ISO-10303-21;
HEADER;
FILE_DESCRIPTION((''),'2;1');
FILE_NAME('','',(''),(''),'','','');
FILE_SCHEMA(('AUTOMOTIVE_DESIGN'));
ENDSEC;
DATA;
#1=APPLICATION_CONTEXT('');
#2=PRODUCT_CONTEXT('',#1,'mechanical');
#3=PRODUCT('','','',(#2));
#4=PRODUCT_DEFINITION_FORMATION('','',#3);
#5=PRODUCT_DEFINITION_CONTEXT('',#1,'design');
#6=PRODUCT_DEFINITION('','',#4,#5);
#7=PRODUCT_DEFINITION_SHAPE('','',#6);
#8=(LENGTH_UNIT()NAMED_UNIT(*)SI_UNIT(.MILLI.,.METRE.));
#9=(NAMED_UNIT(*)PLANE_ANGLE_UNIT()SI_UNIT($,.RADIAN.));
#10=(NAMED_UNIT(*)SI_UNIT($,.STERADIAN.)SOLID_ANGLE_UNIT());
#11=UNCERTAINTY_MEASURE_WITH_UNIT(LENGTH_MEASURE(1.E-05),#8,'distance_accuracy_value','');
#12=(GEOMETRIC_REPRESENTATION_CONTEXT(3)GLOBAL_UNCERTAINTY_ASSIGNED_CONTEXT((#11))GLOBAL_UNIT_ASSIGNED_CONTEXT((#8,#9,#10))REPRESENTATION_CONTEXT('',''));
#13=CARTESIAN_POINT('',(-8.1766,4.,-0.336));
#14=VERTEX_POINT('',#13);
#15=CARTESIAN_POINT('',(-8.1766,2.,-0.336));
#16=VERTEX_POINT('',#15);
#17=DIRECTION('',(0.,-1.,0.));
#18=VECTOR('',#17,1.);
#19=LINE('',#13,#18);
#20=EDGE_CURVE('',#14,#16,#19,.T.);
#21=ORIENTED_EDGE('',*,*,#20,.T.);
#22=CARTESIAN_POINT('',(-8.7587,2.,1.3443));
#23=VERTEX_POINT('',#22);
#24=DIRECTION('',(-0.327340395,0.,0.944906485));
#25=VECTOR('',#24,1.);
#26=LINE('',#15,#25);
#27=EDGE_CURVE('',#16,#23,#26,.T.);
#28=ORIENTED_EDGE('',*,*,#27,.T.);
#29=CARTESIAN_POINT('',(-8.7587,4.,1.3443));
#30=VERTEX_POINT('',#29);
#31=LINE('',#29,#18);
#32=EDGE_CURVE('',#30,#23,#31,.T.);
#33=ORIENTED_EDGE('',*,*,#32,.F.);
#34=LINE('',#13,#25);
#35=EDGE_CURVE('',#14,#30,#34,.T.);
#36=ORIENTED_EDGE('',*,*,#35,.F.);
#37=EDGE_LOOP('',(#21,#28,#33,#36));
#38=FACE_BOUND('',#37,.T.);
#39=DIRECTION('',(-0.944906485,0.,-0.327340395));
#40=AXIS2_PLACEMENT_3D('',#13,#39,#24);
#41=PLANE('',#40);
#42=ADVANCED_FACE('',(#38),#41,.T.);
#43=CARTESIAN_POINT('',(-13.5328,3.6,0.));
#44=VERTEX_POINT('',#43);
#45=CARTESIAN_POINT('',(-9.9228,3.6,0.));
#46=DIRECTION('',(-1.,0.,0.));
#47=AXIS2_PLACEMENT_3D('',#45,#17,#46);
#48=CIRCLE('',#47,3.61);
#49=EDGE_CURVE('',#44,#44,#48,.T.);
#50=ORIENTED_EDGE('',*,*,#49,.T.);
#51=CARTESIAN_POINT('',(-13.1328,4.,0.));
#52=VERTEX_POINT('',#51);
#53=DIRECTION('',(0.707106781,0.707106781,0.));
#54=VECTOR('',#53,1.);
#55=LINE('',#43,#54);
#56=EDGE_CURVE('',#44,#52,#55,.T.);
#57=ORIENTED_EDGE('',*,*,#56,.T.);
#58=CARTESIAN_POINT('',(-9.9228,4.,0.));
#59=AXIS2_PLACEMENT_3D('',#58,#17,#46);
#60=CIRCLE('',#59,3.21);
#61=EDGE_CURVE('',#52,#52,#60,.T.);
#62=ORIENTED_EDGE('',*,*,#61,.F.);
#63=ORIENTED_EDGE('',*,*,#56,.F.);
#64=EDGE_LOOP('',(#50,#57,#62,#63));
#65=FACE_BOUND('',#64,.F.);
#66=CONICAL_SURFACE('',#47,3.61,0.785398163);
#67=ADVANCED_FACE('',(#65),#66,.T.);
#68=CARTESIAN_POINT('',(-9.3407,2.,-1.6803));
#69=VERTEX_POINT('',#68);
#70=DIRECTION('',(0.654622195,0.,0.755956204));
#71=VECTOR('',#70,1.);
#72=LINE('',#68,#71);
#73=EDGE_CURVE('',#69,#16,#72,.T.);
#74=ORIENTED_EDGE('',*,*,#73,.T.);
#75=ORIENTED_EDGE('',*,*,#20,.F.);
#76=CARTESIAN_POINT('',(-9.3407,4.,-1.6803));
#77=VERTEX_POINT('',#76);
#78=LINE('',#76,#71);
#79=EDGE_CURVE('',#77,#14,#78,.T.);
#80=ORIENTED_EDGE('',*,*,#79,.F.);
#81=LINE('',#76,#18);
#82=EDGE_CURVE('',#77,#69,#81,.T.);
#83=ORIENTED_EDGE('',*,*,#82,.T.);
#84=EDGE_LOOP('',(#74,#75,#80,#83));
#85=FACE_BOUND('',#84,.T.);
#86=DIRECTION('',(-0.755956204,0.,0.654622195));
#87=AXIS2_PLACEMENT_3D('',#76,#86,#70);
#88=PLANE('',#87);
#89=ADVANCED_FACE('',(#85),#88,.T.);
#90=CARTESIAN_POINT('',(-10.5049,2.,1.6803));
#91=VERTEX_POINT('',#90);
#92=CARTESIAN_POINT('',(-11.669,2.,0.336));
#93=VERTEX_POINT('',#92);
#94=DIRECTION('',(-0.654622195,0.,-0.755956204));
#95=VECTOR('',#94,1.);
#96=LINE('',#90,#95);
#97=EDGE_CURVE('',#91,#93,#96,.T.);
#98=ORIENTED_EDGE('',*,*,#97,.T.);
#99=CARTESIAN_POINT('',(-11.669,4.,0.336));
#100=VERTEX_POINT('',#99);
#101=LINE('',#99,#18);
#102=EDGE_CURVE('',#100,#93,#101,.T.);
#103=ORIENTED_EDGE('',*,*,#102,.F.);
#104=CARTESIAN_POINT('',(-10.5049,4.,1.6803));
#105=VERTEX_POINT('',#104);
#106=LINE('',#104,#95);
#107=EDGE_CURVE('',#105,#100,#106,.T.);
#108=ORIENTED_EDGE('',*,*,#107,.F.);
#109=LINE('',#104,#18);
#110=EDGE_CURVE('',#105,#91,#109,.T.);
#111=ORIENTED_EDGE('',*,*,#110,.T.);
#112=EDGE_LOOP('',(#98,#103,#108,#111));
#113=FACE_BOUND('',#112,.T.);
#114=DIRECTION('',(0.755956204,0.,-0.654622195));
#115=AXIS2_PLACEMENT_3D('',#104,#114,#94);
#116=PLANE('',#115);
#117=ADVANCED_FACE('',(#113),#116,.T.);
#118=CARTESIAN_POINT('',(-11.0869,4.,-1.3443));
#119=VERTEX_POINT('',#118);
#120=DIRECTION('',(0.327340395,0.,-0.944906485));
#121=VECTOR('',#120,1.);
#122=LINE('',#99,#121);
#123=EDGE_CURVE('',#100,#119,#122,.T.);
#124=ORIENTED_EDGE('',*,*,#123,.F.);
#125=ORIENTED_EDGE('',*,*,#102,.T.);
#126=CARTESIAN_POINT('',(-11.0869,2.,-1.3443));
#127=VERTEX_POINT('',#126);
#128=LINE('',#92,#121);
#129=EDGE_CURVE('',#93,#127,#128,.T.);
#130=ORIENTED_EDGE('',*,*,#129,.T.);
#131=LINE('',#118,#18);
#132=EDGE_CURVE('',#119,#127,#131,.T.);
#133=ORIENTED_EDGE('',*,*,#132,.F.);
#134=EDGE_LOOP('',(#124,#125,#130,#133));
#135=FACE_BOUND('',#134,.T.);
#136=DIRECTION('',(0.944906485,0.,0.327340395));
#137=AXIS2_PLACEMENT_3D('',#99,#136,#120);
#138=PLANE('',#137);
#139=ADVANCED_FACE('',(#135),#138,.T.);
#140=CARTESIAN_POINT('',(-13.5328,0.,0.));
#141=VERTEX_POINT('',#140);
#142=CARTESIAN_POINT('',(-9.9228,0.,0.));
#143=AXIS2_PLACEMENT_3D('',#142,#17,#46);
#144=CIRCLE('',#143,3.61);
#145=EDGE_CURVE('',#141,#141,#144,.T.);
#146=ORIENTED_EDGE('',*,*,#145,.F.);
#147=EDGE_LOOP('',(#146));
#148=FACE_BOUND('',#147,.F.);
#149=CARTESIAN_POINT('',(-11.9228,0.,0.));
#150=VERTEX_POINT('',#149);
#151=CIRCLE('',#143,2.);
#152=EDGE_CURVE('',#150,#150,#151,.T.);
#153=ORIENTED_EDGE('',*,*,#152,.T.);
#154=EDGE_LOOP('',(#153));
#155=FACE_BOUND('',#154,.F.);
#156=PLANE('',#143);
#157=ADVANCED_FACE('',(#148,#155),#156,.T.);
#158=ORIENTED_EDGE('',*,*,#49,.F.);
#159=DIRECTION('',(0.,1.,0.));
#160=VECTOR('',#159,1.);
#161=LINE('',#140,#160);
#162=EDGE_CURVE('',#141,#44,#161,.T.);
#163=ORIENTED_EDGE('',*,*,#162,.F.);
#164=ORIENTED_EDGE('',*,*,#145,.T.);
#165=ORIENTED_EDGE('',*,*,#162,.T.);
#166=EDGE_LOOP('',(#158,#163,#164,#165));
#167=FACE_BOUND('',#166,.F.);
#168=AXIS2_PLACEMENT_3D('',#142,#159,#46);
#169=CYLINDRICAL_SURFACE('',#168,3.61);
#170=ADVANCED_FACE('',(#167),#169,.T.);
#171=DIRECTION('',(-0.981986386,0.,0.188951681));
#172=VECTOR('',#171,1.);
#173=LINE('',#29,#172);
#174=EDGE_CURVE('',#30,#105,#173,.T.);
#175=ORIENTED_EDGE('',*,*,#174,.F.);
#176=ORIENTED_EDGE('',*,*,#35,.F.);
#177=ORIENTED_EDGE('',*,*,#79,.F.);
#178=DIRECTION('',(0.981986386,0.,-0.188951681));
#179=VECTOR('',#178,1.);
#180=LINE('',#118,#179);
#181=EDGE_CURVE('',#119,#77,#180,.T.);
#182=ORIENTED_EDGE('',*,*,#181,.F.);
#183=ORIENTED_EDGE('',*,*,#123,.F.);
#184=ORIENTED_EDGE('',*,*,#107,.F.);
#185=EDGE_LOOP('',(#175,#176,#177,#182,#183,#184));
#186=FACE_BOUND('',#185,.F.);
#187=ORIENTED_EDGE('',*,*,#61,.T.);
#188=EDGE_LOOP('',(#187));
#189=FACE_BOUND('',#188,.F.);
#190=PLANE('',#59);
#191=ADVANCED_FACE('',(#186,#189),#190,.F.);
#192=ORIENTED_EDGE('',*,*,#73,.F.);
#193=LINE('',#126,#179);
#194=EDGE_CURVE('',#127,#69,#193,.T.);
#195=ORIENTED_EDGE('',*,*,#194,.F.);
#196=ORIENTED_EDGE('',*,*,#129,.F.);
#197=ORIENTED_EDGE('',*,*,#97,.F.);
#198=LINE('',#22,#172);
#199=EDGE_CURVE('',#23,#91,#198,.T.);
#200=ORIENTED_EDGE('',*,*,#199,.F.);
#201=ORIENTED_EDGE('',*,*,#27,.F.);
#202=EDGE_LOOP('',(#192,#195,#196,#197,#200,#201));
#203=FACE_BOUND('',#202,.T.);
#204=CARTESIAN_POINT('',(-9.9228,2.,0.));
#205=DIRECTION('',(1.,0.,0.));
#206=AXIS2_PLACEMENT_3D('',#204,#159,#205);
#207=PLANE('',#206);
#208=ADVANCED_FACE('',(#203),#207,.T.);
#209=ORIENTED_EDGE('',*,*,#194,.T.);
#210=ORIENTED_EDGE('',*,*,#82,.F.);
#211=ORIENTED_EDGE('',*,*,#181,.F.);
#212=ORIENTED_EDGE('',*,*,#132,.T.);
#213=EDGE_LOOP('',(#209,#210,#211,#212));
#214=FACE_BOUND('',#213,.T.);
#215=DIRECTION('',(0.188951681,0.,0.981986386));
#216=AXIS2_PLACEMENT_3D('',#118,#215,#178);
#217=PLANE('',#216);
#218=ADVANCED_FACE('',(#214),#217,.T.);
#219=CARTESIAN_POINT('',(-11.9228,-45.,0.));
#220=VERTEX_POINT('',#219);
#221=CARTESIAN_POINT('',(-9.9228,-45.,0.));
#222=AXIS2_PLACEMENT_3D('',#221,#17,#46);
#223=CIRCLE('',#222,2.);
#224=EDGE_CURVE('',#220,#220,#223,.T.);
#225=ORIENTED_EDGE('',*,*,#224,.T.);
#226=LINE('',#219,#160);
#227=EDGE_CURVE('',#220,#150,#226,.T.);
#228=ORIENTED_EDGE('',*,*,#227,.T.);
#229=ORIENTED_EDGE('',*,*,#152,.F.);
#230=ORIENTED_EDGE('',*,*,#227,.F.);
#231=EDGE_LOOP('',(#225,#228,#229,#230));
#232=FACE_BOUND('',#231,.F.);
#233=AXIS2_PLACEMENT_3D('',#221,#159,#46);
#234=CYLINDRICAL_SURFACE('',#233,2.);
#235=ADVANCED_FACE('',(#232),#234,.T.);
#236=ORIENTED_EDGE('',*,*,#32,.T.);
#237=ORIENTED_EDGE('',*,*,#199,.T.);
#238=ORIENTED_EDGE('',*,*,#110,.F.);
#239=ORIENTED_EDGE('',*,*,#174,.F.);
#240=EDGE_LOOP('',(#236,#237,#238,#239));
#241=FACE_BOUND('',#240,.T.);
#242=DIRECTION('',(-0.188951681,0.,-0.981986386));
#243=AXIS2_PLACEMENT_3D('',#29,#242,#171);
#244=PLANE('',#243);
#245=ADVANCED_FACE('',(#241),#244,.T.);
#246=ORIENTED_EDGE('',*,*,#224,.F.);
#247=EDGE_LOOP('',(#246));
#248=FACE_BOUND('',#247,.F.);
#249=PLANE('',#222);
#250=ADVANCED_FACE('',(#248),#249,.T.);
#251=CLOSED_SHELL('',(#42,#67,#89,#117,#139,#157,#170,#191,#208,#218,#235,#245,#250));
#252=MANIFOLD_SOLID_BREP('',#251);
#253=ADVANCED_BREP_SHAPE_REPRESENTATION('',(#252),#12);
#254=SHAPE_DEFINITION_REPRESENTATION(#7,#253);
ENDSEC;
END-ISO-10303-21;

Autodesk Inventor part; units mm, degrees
ref_plane "YZ Plane" through (0, 0, 0) normal (1, 0, 0) x (0, 1, 0)
ref_plane "XZ Plane" through (0, 0, 0) normal (0, 1, 0) x (-1, 0, 0)
ref_plane "XY Plane" through (0, 0, 0) normal (0, 0, 1) x (1, 0, 0)
sketch "Sketch1" plane through (0, 0, 0) normal (0, 0, 1) x (1, 0, 0)
  line L0 (-9.9228, 0) -> (-13.5328, 0)
  line L1 (-13.5328, 0) -> (-13.5328, 4)
  line L2 (-13.5328, 4) -> (-9.9228, 4)
  line L3 (-9.9228, 4) -> (-9.9228, 0)
  line L4 (-9.9228, 0) -> (-9.9228, -45)
  line L5 (-9.9228, -45) -> (-11.9228, -45)
  line L6 (-11.9228, -45) -> (-11.9228, 0)
  point P0 (0, 0)
  dimension "d0" = 3.61
  dimension "d1" = 4
  dimension "d2" = 45
  dimension "d3" = 2
revolve "Revolution1" add sketch "Sketch1" angle 360 about axis through (-9.9228, 0, 0) along (0, -1, 0)
chamfer "Chamfer1" distance 0.4 angle 45 1 edges at (-6.3128, 4, 0)
sketch "Boceto2" plane through (-9.9228, 4, 0) normal (0, 1, 0) x (1, 0, 0)
  line L0 (1.1641, -1.3443) -> (-0.5821, -1.6803)
  line L1 (-0.5821, -1.6803) -> (-1.7462, -0.336)
  line L2 (-1.7462, -0.336) -> (-1.1641, 1.3443)
  line L3 (-1.1641, 1.3443) -> (0.5821, 1.6803)
  line L4 (0.5821, 1.6803) -> (1.7462, 0.336)
  line L5 (1.7462, 0.336) -> (1.1641, -1.3443)
  point P0 (9.9228, 0)
  point P1 (0, 0)
  dimension "d11" = 3.08
extrude "Extrusión1" cut sketch "Boceto2" against normal blind 2
thread "Rosca1" size "M4x0.7" class "6g" standard "ISO Metric profile" length 430
properties part number "Tornillo Allen cabeza cilindrica M4x50mm"
